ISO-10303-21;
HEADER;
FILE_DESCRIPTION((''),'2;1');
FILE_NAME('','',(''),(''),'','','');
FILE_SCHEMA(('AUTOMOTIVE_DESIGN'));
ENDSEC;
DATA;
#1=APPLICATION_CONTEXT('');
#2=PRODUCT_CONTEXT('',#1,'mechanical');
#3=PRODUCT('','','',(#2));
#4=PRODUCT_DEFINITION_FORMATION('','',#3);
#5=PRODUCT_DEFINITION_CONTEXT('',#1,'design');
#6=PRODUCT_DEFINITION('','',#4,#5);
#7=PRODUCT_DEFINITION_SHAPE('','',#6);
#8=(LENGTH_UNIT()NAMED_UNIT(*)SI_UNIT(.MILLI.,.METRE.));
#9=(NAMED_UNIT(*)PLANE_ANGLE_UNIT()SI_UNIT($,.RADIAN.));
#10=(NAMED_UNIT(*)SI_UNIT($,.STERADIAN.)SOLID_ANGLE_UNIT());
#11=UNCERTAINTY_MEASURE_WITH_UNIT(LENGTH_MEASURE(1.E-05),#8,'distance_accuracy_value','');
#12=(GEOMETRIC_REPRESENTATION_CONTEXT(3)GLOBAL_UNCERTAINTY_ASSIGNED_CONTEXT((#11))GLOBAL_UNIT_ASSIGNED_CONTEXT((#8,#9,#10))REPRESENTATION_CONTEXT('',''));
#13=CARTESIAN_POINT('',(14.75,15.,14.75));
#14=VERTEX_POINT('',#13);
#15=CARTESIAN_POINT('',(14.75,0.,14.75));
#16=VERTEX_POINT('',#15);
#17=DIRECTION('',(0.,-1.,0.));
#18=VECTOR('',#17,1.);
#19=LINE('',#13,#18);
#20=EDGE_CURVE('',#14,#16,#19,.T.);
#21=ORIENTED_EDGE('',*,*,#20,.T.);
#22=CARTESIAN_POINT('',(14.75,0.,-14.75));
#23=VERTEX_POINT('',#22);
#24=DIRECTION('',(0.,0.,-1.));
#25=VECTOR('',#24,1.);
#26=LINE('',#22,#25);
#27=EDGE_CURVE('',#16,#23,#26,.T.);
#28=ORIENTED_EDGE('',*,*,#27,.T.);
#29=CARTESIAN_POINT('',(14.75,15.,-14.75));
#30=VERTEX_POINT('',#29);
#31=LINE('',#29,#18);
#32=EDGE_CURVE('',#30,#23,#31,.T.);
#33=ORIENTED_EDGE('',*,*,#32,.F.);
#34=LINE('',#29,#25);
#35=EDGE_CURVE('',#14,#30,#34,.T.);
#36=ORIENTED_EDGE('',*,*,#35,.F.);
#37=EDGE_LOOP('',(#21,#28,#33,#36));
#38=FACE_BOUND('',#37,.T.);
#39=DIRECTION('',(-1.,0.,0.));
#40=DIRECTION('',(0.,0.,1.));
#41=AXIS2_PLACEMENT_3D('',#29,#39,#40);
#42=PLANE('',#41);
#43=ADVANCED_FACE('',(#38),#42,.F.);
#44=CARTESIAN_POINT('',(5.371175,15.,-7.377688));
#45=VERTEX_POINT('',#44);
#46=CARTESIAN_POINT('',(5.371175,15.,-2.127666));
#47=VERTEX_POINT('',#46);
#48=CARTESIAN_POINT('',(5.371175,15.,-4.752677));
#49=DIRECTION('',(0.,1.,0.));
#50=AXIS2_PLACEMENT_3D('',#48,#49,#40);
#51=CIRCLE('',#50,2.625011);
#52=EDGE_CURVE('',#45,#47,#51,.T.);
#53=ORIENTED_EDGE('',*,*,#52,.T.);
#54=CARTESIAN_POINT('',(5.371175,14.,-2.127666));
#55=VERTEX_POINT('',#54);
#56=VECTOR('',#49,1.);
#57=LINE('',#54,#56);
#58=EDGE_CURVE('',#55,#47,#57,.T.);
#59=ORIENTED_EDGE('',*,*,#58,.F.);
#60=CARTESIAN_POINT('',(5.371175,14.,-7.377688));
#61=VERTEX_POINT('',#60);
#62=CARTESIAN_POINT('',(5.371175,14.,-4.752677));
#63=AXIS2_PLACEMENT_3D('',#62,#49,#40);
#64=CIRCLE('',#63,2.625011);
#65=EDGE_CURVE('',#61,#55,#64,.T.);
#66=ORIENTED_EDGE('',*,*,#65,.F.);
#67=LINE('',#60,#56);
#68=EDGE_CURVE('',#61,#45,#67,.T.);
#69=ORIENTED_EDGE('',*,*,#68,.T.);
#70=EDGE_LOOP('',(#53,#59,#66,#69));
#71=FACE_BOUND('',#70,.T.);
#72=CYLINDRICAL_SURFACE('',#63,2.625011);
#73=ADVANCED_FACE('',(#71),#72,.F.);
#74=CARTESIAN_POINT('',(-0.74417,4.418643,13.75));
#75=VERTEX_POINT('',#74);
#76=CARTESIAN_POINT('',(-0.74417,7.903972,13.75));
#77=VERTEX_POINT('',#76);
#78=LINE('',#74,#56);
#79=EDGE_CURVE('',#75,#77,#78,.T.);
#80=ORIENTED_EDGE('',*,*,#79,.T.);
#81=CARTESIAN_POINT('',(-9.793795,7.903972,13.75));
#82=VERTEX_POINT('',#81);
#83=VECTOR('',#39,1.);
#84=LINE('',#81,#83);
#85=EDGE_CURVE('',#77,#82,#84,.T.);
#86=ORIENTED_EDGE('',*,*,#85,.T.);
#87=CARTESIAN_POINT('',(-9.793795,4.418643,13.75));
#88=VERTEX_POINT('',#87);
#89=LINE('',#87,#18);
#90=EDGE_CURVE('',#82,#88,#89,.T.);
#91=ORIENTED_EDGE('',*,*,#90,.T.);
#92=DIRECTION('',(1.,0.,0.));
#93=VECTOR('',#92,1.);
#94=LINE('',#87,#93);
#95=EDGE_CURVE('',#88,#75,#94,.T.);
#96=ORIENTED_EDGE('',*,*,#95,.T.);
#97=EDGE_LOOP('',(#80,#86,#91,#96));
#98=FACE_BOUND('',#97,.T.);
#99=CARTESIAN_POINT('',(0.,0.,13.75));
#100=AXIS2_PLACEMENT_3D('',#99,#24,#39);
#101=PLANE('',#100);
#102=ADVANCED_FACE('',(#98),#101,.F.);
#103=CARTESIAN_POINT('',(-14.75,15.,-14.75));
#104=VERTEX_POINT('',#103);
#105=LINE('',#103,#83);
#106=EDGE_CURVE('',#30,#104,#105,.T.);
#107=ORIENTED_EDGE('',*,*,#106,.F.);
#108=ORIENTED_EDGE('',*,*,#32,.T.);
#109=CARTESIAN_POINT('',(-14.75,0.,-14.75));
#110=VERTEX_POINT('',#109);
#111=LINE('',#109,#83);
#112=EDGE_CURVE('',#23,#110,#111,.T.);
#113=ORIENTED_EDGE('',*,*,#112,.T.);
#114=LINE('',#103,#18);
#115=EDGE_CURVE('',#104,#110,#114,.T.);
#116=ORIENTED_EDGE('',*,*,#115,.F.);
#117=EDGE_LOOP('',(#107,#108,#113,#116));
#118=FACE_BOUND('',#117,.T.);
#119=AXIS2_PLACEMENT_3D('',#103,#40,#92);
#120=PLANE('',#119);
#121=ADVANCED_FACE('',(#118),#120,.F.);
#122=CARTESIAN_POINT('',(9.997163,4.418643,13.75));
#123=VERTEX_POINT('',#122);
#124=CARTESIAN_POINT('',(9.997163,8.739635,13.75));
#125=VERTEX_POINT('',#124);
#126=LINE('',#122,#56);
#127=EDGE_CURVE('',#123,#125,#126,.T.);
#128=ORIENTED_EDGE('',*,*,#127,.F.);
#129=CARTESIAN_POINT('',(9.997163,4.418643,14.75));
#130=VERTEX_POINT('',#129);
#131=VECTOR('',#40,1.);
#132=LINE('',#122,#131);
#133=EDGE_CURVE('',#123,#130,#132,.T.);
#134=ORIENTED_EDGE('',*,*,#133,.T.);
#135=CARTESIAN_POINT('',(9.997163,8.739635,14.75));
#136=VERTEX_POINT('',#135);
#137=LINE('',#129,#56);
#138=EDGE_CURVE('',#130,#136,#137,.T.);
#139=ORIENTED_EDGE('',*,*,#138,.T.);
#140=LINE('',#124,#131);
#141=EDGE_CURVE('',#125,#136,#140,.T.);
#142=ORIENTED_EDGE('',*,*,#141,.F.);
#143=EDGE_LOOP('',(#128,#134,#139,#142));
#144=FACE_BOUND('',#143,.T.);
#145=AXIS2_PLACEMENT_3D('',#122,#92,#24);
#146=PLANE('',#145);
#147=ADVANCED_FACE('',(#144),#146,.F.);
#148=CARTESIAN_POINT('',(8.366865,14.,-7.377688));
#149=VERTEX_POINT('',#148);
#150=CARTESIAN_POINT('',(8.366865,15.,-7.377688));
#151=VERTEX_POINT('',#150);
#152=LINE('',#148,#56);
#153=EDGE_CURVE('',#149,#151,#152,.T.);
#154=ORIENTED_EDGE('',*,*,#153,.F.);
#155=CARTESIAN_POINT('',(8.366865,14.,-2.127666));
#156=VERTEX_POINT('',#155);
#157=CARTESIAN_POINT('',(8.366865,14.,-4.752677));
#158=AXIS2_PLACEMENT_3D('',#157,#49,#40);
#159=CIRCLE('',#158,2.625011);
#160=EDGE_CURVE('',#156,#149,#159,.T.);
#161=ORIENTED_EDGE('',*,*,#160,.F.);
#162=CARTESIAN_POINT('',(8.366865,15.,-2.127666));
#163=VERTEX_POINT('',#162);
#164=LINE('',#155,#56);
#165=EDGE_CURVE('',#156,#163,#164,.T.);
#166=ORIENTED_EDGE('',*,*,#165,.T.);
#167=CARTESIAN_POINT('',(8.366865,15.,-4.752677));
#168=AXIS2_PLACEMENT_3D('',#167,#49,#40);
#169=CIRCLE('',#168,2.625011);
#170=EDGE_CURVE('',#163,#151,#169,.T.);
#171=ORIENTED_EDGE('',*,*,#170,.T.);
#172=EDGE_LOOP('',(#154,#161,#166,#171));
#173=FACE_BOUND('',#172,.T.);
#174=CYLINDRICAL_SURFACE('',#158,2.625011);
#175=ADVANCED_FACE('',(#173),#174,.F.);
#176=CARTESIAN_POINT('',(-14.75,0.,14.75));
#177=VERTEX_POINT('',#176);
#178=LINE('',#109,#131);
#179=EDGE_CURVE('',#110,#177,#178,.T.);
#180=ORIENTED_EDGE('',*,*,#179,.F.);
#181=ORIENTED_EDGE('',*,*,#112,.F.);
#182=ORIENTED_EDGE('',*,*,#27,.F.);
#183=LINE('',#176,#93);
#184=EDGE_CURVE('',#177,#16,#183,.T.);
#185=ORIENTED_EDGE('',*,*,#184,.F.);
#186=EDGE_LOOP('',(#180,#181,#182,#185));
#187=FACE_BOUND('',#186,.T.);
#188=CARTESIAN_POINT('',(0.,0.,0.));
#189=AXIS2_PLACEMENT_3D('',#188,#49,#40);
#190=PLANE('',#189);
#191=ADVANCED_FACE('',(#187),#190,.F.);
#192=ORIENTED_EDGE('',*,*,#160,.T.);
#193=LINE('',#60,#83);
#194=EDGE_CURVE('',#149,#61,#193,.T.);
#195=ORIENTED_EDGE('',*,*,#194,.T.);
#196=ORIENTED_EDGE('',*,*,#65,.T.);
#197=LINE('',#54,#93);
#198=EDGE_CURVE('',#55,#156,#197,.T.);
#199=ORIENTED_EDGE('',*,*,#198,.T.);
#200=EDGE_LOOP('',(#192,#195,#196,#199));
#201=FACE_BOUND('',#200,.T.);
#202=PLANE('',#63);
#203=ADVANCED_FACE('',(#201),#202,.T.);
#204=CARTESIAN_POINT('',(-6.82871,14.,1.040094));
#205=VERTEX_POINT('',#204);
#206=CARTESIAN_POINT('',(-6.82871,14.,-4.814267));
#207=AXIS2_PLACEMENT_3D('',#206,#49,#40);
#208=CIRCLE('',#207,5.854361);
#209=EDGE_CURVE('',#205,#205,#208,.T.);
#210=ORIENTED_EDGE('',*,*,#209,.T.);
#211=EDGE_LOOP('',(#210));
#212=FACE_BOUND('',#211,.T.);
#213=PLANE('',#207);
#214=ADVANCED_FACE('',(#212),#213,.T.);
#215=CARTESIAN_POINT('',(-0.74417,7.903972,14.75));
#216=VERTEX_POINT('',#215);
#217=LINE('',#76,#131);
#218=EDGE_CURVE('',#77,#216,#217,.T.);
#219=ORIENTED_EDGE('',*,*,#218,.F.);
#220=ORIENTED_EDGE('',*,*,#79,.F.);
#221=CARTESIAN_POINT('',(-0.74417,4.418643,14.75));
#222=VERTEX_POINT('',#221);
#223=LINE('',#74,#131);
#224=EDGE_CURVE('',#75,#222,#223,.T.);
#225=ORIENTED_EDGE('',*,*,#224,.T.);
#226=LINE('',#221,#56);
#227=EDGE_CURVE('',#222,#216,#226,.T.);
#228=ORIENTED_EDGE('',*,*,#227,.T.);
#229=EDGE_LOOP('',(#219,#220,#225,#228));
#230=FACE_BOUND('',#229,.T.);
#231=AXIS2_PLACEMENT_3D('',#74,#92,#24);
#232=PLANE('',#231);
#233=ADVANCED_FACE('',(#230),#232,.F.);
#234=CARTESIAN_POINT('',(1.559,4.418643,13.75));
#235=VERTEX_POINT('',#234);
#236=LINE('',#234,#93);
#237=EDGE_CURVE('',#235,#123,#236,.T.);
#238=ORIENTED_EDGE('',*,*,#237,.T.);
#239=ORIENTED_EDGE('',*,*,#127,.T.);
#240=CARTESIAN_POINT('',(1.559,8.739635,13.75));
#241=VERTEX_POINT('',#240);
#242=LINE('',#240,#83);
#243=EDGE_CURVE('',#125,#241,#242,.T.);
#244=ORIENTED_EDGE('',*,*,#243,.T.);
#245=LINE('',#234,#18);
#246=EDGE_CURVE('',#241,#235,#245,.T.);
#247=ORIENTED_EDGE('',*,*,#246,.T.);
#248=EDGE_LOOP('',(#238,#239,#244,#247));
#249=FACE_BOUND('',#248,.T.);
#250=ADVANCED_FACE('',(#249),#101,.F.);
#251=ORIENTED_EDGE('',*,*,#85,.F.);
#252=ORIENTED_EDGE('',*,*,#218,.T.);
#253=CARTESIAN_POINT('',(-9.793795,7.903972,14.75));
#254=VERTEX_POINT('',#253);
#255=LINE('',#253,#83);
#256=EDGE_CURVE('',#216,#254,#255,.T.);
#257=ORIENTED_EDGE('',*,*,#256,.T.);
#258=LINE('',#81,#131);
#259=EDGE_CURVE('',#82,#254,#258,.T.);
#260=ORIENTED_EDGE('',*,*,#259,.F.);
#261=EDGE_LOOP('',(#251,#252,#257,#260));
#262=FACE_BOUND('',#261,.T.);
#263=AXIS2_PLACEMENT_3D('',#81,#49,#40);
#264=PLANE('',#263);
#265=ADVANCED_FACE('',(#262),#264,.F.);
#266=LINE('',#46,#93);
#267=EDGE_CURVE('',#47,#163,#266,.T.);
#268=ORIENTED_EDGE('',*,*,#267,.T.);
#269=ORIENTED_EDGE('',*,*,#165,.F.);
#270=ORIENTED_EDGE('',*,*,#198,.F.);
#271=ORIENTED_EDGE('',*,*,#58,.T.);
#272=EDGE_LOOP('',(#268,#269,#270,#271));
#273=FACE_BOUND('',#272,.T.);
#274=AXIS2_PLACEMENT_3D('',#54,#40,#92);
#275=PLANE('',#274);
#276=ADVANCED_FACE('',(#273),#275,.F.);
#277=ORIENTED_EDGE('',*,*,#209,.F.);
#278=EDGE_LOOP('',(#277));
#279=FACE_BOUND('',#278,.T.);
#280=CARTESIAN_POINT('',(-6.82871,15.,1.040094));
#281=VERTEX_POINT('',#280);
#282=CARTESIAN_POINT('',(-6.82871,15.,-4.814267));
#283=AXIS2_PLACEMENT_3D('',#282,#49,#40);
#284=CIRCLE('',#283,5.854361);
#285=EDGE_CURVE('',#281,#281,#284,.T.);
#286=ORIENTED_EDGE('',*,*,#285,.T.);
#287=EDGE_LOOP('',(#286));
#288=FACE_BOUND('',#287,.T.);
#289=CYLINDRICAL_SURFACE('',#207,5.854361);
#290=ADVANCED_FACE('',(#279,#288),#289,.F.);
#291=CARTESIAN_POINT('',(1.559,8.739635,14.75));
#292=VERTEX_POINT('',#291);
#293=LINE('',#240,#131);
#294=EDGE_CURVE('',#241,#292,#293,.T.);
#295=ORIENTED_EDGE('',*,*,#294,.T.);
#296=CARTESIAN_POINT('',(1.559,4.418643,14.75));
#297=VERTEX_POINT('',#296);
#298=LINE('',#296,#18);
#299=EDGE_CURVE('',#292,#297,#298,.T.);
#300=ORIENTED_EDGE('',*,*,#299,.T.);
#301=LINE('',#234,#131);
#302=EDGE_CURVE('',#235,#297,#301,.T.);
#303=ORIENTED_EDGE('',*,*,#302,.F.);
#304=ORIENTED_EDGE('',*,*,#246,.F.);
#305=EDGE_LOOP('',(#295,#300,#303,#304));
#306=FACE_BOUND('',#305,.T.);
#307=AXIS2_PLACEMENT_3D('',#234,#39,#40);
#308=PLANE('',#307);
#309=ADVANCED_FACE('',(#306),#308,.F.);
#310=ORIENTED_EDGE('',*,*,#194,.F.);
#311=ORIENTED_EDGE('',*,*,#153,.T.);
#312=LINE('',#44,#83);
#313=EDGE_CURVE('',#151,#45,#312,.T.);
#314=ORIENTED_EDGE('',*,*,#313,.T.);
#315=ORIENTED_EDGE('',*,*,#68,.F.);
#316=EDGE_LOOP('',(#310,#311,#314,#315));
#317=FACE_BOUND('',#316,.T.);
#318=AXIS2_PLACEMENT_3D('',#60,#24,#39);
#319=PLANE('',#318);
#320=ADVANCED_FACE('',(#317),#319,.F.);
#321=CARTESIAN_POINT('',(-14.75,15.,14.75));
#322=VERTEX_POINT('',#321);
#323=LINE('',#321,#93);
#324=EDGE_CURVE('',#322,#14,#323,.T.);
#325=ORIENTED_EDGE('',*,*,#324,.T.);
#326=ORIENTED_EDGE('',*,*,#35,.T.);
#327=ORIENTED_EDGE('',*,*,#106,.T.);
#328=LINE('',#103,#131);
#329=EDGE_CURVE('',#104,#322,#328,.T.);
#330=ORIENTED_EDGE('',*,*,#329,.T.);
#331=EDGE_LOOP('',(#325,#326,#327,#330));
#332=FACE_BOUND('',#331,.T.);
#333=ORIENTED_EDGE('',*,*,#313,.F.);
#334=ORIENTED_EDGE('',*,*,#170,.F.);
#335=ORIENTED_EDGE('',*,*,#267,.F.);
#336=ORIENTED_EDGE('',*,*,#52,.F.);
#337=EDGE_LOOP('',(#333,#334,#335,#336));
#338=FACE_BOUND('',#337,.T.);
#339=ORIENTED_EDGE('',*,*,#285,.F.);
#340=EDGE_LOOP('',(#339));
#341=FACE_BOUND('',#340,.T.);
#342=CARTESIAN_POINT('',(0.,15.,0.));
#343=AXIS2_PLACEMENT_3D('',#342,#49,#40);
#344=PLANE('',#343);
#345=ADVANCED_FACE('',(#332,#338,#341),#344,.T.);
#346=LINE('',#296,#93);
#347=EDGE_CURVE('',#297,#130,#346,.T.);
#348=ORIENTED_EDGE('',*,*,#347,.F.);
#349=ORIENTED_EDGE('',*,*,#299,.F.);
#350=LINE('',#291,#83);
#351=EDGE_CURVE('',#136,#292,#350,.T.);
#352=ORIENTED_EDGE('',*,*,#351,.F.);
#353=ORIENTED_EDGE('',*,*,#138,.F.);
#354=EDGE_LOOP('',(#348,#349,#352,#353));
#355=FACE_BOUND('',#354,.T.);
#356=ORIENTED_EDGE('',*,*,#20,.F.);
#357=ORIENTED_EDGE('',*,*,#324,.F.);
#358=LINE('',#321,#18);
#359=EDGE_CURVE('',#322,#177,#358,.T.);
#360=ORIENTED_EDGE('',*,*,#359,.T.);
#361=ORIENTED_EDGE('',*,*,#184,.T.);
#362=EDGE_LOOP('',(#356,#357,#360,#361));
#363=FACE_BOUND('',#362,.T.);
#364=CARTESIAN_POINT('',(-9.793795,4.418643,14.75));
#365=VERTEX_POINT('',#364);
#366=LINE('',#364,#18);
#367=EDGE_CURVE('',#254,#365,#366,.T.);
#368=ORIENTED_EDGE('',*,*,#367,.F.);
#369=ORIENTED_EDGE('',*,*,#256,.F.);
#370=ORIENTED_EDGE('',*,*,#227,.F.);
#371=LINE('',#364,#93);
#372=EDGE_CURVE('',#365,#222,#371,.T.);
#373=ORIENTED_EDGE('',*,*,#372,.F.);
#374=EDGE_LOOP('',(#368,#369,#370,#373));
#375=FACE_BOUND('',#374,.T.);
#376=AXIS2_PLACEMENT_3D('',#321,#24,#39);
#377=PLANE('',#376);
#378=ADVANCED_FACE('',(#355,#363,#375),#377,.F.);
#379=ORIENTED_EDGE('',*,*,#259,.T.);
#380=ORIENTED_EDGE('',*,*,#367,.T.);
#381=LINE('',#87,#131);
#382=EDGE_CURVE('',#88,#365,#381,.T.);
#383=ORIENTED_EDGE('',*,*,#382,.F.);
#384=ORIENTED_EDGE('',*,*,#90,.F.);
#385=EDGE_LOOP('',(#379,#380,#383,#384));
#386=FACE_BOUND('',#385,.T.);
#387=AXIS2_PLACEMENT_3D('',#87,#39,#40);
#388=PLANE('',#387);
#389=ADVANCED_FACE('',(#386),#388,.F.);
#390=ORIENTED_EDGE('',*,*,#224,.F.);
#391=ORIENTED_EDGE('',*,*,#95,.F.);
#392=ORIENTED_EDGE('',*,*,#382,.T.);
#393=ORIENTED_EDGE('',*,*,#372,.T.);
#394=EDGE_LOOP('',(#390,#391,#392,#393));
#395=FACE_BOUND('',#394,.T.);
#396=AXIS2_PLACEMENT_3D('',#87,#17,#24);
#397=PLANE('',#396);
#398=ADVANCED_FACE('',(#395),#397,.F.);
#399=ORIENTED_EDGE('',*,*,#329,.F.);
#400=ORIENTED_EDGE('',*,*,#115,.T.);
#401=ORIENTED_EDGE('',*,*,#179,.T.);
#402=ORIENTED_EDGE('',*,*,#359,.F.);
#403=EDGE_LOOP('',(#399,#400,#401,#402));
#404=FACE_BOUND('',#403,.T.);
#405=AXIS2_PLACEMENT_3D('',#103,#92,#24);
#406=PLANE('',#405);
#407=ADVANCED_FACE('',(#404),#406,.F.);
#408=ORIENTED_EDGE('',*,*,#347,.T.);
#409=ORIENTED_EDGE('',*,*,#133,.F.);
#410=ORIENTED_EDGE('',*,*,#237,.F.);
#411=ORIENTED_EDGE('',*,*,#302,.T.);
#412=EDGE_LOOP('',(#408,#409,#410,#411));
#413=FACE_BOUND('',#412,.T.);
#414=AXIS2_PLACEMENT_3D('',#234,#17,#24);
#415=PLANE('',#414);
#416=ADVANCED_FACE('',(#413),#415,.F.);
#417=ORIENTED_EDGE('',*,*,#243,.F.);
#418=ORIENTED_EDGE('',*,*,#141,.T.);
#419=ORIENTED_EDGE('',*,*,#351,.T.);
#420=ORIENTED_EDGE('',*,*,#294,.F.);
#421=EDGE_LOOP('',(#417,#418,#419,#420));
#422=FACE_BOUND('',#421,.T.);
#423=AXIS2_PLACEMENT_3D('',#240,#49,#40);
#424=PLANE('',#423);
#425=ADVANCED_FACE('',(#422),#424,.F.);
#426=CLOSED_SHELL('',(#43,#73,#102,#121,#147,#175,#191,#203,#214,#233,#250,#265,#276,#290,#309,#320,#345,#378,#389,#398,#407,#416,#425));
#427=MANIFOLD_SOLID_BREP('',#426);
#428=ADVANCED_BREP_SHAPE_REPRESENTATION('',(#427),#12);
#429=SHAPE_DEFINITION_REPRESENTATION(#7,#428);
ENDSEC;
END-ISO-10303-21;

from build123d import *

# Parameters (mm, degrees)
SKETCH_1_W          = 29.5
SKETCH_1_H          = 29.5
EXTRUDE_1_DEPTH     = 15
SKETCH_4_R          = 5.854360827
CUT_EXTRUDE_1_DEPTH = 1
SKETCH_5_W          = 8.438163648
SKETCH_5_H          = 4.320992013
SKETCH_5_W_2        = 9.049624782
SKETCH_5_H_2        = 3.485328464
CUT_EXTRUDE_2_DEPTH = 1


with BuildPart() as part:
    # 草图1 → 凸台-拉伸1 (new body)
    with BuildSketch(Plane(origin=(0, 0, 0), x_dir=(1, 0, 0), z_dir=(0, 1, 0))):
        Rectangle(SKETCH_1_W, SKETCH_1_H)
    extrude(amount=EXTRUDE_1_DEPTH)

    # 草图4 → 切除-拉伸1 (cut)
    with BuildSketch(Plane(origin=(0, 15, 0), x_dir=(1, 0, 0), z_dir=(0, 1, 0))):
        with Locations(Location((-6.828709963, 4.814266748, 0), (0, 0, 270))):
            Circle(SKETCH_4_R)
        with BuildLine():
            Line((5.371174923, 7.377688131), (8.366864515, 7.377688131))
            ThreePointArc((8.366864515, 7.377688131), (10.991875344, 4.752677302), (8.366864515, 2.127666472))
            Line((8.366864515, 2.127666472), (5.371174923, 2.127666472))
            ThreePointArc((5.371174923, 2.127666472), (2.746164094, 4.752677302), (5.371174923, 7.377688131))
        make_face()
    extrude(amount=-CUT_EXTRUDE_1_DEPTH, mode=Mode.SUBTRACT)

    # 草图5 → 切除-拉伸2 (cut)
    with BuildSketch(Plane.XY.offset(14.75)):
        with Locations((5.778081635, 6.579139216)):
            Rectangle(SKETCH_5_W, SKETCH_5_H)
        with Locations((-5.268982852, 6.161307442)):
            Rectangle(SKETCH_5_W_2, SKETCH_5_H_2)
    extrude(amount=-CUT_EXTRUDE_2_DEPTH, mode=Mode.SUBTRACT)


solid = part.part
